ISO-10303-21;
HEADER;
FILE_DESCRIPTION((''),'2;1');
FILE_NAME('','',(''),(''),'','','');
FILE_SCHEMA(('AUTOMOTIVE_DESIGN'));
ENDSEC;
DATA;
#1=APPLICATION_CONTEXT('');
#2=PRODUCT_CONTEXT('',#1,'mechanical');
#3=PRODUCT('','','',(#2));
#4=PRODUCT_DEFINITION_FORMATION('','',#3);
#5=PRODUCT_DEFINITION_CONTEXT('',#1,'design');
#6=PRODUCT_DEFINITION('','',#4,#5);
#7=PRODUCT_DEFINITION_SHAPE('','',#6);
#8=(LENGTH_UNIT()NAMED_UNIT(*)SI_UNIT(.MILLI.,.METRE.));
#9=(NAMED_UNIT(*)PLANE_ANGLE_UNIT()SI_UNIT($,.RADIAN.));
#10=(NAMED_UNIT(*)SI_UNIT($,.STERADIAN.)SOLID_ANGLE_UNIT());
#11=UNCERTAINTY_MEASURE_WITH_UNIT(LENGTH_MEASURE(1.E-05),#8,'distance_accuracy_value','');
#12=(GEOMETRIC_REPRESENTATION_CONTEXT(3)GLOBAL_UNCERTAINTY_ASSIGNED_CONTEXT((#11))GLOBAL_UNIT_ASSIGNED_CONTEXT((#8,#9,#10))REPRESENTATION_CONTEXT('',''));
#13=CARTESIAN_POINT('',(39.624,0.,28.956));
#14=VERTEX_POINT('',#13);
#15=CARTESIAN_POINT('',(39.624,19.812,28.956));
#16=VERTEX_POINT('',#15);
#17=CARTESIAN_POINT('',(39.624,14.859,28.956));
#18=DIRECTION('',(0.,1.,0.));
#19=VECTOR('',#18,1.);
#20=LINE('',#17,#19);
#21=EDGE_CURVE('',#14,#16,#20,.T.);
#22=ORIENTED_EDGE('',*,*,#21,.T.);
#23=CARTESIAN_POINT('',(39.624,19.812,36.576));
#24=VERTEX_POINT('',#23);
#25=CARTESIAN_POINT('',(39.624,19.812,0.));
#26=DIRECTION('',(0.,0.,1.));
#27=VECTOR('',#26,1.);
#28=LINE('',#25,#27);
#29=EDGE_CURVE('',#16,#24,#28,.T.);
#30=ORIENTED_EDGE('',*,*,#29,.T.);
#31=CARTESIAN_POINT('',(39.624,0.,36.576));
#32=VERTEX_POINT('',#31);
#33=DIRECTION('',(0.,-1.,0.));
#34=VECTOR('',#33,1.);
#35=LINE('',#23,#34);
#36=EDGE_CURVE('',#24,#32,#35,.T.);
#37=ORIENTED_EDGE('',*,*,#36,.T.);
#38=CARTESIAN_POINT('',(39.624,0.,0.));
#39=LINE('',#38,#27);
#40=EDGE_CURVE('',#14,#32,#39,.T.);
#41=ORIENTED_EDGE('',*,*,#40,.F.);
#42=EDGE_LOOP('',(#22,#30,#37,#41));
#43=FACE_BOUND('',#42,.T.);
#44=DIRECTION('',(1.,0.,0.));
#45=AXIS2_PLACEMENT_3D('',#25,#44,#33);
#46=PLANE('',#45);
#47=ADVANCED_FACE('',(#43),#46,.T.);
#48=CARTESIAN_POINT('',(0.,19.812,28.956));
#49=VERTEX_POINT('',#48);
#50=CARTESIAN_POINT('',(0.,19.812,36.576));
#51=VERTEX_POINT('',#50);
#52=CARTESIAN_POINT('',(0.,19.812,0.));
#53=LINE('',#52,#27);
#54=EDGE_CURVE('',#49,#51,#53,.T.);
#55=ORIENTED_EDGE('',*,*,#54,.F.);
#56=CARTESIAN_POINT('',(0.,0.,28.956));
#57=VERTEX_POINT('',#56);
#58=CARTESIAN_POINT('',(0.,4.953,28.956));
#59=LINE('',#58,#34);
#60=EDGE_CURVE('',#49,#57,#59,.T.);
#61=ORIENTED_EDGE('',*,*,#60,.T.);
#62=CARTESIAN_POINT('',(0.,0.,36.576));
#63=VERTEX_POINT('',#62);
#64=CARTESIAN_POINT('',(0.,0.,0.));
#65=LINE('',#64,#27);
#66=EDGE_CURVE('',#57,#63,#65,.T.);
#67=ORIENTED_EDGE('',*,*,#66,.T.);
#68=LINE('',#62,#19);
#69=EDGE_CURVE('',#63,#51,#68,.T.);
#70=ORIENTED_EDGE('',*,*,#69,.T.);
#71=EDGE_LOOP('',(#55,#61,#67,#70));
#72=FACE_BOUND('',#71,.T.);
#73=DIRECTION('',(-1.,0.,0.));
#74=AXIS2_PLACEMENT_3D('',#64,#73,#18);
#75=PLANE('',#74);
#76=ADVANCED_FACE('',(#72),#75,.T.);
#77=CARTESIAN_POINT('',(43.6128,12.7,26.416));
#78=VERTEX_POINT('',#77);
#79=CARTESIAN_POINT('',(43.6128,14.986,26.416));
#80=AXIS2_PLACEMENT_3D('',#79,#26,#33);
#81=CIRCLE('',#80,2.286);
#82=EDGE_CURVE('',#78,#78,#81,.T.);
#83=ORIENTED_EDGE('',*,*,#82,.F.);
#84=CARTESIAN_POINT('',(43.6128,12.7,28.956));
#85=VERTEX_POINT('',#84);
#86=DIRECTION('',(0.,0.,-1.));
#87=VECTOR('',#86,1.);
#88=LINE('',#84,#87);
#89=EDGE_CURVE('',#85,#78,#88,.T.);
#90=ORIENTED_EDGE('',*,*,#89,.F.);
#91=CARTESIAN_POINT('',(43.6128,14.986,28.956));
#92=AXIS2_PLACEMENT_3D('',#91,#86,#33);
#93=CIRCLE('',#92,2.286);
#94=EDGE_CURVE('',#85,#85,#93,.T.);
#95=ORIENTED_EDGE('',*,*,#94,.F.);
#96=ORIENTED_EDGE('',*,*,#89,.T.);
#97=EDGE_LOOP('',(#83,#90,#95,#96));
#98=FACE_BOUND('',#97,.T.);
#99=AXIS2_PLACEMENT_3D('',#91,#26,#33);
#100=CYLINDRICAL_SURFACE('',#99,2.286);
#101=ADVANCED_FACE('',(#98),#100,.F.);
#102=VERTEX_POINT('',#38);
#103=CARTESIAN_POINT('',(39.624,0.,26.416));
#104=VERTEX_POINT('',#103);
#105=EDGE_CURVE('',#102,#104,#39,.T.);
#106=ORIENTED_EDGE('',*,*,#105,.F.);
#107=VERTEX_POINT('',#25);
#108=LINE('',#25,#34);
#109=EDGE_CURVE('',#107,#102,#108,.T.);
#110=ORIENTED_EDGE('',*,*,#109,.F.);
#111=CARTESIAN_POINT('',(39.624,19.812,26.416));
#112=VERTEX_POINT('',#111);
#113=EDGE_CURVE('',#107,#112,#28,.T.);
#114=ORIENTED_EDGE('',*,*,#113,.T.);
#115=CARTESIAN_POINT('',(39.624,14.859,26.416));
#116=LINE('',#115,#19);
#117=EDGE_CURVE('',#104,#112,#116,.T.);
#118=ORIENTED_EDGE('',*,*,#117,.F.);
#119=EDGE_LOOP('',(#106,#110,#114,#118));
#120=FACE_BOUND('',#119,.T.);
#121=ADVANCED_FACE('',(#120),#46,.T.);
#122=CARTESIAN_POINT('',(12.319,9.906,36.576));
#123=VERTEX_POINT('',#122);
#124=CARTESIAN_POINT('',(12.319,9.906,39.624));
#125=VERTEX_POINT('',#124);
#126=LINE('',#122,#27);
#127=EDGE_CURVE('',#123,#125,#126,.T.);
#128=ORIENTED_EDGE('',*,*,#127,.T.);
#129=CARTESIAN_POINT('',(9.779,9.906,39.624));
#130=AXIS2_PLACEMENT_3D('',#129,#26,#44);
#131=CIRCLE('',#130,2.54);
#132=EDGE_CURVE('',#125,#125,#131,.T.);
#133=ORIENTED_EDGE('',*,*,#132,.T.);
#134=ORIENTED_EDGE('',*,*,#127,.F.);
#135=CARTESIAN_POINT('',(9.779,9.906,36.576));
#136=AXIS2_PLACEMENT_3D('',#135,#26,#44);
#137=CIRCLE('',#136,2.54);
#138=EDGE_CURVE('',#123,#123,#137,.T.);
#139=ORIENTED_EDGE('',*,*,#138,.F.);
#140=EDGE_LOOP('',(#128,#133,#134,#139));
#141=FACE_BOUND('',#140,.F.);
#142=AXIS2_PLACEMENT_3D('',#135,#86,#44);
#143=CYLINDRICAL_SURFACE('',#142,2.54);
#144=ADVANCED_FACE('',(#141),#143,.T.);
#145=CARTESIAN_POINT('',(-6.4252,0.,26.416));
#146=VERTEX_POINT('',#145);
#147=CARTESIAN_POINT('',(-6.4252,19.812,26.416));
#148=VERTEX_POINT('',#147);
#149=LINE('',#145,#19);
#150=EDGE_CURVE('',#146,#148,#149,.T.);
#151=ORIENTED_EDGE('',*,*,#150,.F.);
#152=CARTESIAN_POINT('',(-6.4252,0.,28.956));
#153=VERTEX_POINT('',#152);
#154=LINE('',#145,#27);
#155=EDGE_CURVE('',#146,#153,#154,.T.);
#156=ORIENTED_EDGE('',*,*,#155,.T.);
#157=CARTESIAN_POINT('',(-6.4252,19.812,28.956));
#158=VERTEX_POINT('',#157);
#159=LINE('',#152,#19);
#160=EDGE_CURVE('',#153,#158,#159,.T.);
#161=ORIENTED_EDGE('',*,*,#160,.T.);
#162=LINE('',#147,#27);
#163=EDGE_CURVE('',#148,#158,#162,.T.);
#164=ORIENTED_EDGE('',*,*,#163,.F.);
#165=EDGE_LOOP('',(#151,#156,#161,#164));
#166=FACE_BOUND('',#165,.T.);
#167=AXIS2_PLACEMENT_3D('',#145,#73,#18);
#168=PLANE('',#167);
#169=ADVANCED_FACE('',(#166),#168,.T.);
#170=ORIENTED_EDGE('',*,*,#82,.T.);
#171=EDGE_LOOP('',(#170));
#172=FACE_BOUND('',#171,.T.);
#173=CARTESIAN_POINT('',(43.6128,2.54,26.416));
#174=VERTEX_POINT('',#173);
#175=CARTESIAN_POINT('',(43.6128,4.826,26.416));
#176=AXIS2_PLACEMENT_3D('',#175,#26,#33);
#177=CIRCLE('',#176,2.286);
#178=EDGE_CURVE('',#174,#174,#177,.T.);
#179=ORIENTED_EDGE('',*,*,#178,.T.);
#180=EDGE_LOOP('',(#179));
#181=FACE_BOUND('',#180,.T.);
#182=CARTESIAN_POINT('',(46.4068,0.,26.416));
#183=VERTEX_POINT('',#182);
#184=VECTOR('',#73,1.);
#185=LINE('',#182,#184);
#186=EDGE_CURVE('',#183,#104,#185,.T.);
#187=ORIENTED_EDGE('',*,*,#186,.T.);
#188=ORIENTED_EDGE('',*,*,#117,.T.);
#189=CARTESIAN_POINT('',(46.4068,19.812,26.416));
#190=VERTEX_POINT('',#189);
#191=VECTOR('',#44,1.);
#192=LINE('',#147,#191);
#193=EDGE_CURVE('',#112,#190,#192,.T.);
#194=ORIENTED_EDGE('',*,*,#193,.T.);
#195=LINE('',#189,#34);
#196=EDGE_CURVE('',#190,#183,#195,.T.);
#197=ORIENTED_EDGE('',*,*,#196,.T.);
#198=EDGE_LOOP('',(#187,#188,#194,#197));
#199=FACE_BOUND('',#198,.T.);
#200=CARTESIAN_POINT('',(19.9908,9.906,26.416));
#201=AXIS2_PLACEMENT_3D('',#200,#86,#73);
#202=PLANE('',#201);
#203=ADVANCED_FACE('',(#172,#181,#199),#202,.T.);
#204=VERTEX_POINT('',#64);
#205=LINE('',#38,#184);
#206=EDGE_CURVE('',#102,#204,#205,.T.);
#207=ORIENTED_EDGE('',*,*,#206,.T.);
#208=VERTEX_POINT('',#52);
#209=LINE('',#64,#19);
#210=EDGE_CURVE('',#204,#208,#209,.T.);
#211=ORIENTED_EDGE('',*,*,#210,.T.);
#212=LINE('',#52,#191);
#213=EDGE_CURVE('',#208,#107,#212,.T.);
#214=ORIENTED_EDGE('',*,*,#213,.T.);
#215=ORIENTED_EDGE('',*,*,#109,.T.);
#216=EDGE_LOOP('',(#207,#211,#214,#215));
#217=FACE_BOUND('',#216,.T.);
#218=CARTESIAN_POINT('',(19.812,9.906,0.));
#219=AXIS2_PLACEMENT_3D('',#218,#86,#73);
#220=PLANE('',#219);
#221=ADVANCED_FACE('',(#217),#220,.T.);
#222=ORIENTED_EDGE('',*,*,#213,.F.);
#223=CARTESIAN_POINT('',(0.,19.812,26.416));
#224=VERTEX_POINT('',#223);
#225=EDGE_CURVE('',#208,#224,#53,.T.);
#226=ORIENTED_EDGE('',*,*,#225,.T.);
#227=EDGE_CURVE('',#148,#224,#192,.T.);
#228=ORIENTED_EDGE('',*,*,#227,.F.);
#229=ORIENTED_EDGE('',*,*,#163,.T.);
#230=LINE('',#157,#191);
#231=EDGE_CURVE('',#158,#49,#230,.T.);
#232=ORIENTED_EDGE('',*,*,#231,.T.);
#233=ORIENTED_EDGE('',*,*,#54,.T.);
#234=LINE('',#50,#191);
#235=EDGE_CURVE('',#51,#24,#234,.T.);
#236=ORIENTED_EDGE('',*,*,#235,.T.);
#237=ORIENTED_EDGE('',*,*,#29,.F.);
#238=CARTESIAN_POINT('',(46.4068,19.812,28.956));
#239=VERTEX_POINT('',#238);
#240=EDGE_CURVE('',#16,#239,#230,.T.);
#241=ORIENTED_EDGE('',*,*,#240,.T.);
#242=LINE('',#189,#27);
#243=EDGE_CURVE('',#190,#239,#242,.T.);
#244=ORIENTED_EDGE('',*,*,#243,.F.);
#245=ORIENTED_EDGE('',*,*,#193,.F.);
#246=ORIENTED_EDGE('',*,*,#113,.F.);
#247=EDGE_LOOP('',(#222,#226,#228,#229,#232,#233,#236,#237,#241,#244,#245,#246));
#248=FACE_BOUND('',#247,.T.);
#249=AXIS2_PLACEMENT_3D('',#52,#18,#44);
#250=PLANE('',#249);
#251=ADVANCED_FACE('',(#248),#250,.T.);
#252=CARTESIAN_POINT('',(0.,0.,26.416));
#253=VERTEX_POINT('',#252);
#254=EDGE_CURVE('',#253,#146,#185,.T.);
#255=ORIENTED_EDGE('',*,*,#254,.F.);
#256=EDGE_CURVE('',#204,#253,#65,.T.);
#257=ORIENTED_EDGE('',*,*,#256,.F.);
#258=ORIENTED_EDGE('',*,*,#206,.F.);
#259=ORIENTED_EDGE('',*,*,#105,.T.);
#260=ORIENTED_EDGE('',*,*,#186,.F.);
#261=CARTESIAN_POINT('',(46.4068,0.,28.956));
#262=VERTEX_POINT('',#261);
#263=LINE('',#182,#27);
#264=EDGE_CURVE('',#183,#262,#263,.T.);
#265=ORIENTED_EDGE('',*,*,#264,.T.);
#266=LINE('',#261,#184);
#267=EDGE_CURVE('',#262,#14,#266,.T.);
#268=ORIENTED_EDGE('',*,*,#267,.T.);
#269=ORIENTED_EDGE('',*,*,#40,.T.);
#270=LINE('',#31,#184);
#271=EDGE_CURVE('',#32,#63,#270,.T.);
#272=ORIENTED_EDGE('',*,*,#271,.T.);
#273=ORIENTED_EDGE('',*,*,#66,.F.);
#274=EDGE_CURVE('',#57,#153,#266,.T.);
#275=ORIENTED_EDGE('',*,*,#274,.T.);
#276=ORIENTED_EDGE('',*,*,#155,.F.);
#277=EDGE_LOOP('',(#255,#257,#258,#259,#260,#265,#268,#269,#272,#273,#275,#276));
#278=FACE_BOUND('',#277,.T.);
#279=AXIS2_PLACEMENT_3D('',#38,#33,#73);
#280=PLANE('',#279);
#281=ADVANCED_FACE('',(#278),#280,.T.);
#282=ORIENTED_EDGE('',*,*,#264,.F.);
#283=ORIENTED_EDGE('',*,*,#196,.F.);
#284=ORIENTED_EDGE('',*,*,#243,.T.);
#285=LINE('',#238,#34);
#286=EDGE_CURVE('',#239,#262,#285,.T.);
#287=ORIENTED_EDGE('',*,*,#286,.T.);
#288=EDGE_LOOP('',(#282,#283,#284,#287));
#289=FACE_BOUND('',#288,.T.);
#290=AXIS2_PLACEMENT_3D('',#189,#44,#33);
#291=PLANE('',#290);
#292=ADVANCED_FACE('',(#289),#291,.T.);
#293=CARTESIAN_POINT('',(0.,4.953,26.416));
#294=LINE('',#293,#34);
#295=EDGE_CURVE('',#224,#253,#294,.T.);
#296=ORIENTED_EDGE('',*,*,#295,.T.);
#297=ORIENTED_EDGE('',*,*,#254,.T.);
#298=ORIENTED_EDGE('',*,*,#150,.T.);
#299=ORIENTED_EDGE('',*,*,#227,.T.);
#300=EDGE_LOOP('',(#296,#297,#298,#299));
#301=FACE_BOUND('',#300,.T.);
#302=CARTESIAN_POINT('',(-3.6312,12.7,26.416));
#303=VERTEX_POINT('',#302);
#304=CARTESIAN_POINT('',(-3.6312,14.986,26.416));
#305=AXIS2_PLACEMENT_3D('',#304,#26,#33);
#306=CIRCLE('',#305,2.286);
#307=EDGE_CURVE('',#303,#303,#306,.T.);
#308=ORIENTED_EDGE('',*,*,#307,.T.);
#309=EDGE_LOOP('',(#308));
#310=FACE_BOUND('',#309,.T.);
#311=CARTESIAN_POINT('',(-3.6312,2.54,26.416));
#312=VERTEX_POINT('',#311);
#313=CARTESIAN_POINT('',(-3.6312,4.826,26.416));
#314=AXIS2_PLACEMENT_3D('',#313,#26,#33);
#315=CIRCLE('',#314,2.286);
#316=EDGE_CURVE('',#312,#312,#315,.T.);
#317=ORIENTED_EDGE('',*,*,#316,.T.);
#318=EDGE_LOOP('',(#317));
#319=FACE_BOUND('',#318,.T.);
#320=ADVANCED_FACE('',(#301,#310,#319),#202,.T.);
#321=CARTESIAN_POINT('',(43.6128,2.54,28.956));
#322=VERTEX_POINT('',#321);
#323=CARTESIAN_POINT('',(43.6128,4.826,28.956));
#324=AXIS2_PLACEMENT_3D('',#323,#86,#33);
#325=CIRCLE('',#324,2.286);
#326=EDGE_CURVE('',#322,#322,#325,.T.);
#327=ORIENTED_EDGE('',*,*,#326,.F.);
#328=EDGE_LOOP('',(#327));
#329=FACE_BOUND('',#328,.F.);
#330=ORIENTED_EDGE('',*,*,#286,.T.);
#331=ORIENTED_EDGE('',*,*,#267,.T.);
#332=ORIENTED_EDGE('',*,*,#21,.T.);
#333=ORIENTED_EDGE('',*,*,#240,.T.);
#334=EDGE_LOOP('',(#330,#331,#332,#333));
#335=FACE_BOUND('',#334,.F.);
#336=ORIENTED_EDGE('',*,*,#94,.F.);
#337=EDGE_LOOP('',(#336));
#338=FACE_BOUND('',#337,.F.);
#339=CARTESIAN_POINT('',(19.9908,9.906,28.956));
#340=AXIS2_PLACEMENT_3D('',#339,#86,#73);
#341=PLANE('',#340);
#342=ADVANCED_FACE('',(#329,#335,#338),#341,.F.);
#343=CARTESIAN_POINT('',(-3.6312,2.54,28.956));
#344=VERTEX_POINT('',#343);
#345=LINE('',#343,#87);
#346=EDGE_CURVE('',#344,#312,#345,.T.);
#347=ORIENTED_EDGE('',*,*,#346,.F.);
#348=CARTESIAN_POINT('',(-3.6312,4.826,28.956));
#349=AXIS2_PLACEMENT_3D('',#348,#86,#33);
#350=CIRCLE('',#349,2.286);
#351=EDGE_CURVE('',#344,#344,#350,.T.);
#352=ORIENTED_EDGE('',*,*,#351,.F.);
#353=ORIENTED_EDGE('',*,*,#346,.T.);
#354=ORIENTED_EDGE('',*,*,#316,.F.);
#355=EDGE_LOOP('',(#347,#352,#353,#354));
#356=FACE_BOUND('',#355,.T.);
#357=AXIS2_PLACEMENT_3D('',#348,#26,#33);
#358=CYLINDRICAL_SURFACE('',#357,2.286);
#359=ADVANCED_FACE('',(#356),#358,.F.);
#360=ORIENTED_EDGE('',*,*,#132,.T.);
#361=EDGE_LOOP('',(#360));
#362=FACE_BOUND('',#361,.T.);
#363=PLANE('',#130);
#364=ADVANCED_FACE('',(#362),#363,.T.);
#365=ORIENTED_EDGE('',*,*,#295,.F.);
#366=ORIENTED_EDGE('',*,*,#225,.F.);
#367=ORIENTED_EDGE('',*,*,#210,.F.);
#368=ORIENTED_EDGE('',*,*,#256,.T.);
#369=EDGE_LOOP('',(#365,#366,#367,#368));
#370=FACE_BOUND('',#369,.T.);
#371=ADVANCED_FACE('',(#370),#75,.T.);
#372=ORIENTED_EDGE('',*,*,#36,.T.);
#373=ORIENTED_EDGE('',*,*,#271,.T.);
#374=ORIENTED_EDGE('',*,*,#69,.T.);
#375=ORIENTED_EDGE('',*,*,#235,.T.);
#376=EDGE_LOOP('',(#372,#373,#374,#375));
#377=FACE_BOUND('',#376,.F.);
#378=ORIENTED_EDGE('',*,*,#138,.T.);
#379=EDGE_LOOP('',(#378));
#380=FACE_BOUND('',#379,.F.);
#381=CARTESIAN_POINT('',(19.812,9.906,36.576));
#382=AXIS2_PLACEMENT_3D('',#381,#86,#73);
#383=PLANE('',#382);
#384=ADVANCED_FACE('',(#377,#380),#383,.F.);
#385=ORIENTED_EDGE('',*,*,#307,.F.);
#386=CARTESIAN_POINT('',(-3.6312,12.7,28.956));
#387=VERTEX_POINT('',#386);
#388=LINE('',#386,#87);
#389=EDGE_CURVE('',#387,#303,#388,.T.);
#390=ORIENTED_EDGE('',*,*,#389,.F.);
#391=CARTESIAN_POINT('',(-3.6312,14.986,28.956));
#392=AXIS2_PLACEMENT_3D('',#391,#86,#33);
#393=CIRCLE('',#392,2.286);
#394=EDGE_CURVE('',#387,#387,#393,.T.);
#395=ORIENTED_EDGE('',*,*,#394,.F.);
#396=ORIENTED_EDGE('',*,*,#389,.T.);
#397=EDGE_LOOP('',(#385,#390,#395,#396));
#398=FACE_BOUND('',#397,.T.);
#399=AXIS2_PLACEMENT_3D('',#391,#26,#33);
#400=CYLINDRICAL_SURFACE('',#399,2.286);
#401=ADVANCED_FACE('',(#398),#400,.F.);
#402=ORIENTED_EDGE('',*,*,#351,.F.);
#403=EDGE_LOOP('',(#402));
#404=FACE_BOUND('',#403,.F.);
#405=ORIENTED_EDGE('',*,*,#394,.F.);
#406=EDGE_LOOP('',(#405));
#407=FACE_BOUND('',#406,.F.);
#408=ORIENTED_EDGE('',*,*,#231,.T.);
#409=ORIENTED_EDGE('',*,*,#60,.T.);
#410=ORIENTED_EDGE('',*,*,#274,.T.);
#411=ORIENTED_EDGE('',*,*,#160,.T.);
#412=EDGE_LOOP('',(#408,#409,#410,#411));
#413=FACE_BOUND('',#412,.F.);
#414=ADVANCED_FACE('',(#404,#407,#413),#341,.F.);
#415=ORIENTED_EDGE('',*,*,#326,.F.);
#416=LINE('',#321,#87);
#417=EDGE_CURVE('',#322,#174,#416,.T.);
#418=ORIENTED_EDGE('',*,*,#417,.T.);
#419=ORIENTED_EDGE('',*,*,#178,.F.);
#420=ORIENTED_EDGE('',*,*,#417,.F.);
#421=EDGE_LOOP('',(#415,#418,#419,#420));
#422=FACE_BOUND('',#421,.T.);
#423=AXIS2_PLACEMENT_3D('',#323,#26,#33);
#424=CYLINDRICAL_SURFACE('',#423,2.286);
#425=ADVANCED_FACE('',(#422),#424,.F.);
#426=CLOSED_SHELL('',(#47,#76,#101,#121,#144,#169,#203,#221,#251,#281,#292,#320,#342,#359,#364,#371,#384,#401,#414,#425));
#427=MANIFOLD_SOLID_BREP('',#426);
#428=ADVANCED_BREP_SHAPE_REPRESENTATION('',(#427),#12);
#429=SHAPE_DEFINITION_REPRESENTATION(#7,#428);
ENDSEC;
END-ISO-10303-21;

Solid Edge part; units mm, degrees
sketch "Sketch1" plane through (0, 0, 0) normal (0, 0, 1) x (1, 0, 0)
  line L0 (0, 0) -> (0, 19.812)
  line L1 (0, 19.812) -> (39.624, 19.812)
  line L2 (39.624, 19.812) -> (39.624, 0)
  line L3 (39.624, 0) -> (0, 0)
  dimension "D1" = 39.624
  dimension "D2" = 19.812
extrude "Protrusion1" add sketch "Sketch1" along normal blind 36.576
sketch "Sketch2" plane through (19.812, 9.906, 26.416) normal (0, 0, 1) x (1, 0, 0)
  line L0 (-26.2372, -9.906) -> (-26.2372, 9.906)
  line L1 (-26.2372, 9.906) -> (26.5948, 9.906)
  line L2 (26.5948, 9.906) -> (26.5948, -9.906)
  line L3 (26.5948, -9.906) -> (-26.2372, -9.906)
  dimension "D1" = 26.416
extrude "ExtrudedProtrusion_2" add sketch "Sketch2" along normal blind 2.54
sketch "Sketch3" plane through (19.812, 9.906, 36.576) normal (0, 0, 1) x (1, 0, 0)
  circle A0 centre (-10.033, 0) radius 2.54
  dimension "D1" = 9.779
extrude "ExtrudedProtrusion_3" add sketch "Sketch3" along normal blind 3.048
hole "Hole_1" at (-3.6312, 4.826, 28.956) direction (0, 0, -1) diameter 4.572 end through all
hole "Hole1" at (43.6128, 4.826, 28.956) direction (0, 0, -1) diameter 4.572 end through all
hole "Hole2" at (43.6128, 14.986, 28.956) direction (0, 0, -1) diameter 4.572 end through all
hole "Hole3" at (-3.6312, 14.986, 28.956) direction (0, 0, -1) diameter 4.572 end through all
properties part number "HARDWARE"
